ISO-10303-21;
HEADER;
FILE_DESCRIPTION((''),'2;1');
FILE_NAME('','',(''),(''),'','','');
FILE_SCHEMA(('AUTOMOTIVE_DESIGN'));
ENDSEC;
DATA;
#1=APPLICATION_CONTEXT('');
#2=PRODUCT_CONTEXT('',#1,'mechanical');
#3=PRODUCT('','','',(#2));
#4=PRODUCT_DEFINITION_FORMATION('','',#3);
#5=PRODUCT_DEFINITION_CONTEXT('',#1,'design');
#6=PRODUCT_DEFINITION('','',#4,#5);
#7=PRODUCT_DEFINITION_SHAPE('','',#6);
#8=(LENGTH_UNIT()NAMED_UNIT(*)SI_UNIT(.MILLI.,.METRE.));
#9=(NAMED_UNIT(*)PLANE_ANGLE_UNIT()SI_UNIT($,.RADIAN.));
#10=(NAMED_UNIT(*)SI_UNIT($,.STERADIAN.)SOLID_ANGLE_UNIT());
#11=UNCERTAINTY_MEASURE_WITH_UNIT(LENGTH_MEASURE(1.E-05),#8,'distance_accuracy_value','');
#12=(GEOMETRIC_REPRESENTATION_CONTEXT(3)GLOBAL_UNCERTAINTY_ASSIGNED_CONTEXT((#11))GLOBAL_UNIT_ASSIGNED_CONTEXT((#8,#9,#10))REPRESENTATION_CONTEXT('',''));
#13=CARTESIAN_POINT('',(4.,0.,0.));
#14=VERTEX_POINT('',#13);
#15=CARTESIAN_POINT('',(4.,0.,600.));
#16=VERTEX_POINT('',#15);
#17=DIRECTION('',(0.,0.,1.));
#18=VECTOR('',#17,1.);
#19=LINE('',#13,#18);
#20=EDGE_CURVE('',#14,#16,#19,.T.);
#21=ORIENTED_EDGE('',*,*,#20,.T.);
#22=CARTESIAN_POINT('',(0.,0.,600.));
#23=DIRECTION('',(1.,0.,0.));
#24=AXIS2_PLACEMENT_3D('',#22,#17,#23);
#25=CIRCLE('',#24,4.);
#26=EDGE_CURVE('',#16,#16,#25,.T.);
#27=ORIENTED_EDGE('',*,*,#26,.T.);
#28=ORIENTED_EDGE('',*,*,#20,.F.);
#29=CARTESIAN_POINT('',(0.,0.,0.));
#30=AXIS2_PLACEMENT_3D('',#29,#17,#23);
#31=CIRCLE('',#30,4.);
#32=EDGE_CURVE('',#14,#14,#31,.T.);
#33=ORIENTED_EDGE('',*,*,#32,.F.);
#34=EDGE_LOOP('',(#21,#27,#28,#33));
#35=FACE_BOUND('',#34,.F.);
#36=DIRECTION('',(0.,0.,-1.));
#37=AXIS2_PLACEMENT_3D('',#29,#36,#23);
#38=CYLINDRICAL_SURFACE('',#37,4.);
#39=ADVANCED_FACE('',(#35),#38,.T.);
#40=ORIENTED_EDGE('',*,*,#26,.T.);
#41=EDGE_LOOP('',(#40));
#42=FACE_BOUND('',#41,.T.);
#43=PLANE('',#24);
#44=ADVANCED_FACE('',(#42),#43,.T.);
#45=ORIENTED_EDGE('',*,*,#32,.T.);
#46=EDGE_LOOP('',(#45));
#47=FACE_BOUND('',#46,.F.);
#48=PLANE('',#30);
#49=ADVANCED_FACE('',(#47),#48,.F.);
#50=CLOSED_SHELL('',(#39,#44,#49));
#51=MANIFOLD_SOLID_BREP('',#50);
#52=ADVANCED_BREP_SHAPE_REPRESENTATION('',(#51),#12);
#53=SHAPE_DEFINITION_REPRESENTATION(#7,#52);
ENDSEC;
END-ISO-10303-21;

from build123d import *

# Parameters (mm, degrees)
CYLINDER_R     = 4
CYLINDER_DEPTH = 600


with BuildPart() as part:
    # Cylinder → Cylinder (new body)
    with BuildSketch(Plane.XY):
        Circle(CYLINDER_R)
    extrude(amount=CYLINDER_DEPTH)


solid = part.part
